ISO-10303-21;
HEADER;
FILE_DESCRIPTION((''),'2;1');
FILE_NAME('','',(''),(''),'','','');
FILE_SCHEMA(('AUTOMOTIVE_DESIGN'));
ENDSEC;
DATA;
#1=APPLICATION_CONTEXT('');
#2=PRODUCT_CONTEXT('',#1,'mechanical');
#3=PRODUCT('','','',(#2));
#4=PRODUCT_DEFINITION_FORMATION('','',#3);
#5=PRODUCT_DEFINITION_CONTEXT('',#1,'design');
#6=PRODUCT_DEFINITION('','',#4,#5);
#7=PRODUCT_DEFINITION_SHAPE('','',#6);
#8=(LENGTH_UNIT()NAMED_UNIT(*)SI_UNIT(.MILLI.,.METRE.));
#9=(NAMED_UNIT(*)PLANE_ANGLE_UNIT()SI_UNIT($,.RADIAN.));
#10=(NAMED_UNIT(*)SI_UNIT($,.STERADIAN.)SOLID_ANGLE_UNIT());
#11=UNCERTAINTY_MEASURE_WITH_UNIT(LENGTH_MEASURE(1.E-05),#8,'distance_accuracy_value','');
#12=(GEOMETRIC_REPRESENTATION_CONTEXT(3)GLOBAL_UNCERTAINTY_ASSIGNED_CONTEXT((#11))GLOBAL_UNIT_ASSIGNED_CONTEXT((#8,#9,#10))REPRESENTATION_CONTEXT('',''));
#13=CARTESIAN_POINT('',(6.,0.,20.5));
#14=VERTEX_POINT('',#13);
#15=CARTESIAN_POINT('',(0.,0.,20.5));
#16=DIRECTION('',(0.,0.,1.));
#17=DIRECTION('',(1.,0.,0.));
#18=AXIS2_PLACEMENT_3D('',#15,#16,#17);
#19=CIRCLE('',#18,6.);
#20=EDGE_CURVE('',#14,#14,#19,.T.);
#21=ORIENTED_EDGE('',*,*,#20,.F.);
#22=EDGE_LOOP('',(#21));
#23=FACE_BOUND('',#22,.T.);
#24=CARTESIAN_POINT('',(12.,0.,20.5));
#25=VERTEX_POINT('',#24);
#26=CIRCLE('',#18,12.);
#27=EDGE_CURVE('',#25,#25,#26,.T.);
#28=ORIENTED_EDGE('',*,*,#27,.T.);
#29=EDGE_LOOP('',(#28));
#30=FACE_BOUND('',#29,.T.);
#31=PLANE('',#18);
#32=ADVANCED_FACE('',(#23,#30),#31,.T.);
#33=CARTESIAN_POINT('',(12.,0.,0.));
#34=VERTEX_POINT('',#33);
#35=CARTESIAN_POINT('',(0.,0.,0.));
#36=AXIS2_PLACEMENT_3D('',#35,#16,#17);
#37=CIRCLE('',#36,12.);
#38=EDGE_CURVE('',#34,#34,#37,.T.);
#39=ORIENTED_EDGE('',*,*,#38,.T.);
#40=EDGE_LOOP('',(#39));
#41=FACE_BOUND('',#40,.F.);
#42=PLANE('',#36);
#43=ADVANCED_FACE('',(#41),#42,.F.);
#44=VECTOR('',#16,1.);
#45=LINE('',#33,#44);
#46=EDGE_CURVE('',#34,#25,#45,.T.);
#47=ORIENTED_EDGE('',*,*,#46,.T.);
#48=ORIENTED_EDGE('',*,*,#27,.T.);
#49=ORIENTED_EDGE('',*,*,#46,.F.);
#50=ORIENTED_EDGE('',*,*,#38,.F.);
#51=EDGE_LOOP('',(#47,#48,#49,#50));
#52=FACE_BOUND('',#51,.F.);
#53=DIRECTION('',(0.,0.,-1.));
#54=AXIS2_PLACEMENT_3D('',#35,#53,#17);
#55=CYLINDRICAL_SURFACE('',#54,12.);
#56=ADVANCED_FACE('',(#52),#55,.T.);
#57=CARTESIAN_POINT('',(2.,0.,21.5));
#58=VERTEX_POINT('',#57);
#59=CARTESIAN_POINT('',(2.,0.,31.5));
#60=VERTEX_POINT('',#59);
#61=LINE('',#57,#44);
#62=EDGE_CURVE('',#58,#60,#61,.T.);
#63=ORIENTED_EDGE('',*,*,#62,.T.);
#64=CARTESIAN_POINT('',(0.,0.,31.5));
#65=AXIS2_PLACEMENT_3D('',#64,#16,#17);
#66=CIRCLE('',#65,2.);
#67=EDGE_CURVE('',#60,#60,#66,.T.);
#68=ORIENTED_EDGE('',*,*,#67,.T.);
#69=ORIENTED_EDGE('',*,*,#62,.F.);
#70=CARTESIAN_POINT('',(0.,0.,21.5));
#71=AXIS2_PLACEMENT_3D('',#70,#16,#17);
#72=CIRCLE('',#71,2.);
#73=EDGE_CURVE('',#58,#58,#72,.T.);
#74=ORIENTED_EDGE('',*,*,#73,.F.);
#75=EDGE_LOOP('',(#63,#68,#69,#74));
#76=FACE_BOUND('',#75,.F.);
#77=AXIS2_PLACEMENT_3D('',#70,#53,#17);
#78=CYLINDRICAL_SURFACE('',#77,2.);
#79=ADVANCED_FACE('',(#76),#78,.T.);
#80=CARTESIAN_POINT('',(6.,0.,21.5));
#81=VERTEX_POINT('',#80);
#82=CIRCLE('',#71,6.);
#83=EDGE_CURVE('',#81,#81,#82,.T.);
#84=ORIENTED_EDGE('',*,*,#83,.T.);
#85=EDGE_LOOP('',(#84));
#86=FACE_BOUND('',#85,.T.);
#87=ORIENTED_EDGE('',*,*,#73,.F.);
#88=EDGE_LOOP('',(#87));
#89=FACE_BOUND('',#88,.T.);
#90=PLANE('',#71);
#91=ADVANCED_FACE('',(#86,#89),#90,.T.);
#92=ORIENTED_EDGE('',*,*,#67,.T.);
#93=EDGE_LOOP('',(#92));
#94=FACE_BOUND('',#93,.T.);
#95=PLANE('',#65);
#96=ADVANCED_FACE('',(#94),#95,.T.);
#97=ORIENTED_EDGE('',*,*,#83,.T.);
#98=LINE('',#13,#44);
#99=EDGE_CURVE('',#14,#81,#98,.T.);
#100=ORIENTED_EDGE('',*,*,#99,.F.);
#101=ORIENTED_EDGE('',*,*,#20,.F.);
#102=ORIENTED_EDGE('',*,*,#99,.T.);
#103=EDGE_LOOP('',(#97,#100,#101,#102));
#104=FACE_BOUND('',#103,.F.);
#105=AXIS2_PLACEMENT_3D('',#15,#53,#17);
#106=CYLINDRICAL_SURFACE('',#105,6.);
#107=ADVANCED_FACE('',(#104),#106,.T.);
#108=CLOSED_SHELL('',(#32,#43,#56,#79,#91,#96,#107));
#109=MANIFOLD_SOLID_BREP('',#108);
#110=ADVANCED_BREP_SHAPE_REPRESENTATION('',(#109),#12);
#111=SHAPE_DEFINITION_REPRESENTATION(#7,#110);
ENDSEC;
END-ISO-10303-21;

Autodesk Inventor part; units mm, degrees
ref_plane "YZ Plane" through (0, 0, 0) normal (1, 0, 0) x (0, 1, 0)
ref_plane "XZ Plane" through (0, 0, 0) normal (0, 1, 0) x (-1, 0, 0)
ref_plane "XY Plane" through (0, 0, 0) normal (0, 0, 1) x (1, 0, 0)
sketch "Skizze1" plane through (0, 0, 0) normal (0, 0, 1) x (1, 0, 0)
  circle A0 centre (0, 0) radius 12
  dimension "d0" = 24
extrude "Extrusion1" add sketch "Skizze1" along normal blind 20.5
sketch "Skizze2" plane through (0, 0, 20.5) normal (0, 0, 1) x (1, 0, 0)
  circle A0 centre (0, 0) radius 6
  dimension "d3" = 12
extrude "Extrusion2" add sketch "Skizze2" along normal blind 1
sketch "Skizze3" plane through (0, 0, 21.5) normal (0, 0, 1) x (1, 0, 0)
  circle A0 centre (0, 0) radius 2
  dimension "d6" = 4
extrude "Extrusion3" add sketch "Skizze3" along normal blind 10
properties part number "Drehgeber 2400"
